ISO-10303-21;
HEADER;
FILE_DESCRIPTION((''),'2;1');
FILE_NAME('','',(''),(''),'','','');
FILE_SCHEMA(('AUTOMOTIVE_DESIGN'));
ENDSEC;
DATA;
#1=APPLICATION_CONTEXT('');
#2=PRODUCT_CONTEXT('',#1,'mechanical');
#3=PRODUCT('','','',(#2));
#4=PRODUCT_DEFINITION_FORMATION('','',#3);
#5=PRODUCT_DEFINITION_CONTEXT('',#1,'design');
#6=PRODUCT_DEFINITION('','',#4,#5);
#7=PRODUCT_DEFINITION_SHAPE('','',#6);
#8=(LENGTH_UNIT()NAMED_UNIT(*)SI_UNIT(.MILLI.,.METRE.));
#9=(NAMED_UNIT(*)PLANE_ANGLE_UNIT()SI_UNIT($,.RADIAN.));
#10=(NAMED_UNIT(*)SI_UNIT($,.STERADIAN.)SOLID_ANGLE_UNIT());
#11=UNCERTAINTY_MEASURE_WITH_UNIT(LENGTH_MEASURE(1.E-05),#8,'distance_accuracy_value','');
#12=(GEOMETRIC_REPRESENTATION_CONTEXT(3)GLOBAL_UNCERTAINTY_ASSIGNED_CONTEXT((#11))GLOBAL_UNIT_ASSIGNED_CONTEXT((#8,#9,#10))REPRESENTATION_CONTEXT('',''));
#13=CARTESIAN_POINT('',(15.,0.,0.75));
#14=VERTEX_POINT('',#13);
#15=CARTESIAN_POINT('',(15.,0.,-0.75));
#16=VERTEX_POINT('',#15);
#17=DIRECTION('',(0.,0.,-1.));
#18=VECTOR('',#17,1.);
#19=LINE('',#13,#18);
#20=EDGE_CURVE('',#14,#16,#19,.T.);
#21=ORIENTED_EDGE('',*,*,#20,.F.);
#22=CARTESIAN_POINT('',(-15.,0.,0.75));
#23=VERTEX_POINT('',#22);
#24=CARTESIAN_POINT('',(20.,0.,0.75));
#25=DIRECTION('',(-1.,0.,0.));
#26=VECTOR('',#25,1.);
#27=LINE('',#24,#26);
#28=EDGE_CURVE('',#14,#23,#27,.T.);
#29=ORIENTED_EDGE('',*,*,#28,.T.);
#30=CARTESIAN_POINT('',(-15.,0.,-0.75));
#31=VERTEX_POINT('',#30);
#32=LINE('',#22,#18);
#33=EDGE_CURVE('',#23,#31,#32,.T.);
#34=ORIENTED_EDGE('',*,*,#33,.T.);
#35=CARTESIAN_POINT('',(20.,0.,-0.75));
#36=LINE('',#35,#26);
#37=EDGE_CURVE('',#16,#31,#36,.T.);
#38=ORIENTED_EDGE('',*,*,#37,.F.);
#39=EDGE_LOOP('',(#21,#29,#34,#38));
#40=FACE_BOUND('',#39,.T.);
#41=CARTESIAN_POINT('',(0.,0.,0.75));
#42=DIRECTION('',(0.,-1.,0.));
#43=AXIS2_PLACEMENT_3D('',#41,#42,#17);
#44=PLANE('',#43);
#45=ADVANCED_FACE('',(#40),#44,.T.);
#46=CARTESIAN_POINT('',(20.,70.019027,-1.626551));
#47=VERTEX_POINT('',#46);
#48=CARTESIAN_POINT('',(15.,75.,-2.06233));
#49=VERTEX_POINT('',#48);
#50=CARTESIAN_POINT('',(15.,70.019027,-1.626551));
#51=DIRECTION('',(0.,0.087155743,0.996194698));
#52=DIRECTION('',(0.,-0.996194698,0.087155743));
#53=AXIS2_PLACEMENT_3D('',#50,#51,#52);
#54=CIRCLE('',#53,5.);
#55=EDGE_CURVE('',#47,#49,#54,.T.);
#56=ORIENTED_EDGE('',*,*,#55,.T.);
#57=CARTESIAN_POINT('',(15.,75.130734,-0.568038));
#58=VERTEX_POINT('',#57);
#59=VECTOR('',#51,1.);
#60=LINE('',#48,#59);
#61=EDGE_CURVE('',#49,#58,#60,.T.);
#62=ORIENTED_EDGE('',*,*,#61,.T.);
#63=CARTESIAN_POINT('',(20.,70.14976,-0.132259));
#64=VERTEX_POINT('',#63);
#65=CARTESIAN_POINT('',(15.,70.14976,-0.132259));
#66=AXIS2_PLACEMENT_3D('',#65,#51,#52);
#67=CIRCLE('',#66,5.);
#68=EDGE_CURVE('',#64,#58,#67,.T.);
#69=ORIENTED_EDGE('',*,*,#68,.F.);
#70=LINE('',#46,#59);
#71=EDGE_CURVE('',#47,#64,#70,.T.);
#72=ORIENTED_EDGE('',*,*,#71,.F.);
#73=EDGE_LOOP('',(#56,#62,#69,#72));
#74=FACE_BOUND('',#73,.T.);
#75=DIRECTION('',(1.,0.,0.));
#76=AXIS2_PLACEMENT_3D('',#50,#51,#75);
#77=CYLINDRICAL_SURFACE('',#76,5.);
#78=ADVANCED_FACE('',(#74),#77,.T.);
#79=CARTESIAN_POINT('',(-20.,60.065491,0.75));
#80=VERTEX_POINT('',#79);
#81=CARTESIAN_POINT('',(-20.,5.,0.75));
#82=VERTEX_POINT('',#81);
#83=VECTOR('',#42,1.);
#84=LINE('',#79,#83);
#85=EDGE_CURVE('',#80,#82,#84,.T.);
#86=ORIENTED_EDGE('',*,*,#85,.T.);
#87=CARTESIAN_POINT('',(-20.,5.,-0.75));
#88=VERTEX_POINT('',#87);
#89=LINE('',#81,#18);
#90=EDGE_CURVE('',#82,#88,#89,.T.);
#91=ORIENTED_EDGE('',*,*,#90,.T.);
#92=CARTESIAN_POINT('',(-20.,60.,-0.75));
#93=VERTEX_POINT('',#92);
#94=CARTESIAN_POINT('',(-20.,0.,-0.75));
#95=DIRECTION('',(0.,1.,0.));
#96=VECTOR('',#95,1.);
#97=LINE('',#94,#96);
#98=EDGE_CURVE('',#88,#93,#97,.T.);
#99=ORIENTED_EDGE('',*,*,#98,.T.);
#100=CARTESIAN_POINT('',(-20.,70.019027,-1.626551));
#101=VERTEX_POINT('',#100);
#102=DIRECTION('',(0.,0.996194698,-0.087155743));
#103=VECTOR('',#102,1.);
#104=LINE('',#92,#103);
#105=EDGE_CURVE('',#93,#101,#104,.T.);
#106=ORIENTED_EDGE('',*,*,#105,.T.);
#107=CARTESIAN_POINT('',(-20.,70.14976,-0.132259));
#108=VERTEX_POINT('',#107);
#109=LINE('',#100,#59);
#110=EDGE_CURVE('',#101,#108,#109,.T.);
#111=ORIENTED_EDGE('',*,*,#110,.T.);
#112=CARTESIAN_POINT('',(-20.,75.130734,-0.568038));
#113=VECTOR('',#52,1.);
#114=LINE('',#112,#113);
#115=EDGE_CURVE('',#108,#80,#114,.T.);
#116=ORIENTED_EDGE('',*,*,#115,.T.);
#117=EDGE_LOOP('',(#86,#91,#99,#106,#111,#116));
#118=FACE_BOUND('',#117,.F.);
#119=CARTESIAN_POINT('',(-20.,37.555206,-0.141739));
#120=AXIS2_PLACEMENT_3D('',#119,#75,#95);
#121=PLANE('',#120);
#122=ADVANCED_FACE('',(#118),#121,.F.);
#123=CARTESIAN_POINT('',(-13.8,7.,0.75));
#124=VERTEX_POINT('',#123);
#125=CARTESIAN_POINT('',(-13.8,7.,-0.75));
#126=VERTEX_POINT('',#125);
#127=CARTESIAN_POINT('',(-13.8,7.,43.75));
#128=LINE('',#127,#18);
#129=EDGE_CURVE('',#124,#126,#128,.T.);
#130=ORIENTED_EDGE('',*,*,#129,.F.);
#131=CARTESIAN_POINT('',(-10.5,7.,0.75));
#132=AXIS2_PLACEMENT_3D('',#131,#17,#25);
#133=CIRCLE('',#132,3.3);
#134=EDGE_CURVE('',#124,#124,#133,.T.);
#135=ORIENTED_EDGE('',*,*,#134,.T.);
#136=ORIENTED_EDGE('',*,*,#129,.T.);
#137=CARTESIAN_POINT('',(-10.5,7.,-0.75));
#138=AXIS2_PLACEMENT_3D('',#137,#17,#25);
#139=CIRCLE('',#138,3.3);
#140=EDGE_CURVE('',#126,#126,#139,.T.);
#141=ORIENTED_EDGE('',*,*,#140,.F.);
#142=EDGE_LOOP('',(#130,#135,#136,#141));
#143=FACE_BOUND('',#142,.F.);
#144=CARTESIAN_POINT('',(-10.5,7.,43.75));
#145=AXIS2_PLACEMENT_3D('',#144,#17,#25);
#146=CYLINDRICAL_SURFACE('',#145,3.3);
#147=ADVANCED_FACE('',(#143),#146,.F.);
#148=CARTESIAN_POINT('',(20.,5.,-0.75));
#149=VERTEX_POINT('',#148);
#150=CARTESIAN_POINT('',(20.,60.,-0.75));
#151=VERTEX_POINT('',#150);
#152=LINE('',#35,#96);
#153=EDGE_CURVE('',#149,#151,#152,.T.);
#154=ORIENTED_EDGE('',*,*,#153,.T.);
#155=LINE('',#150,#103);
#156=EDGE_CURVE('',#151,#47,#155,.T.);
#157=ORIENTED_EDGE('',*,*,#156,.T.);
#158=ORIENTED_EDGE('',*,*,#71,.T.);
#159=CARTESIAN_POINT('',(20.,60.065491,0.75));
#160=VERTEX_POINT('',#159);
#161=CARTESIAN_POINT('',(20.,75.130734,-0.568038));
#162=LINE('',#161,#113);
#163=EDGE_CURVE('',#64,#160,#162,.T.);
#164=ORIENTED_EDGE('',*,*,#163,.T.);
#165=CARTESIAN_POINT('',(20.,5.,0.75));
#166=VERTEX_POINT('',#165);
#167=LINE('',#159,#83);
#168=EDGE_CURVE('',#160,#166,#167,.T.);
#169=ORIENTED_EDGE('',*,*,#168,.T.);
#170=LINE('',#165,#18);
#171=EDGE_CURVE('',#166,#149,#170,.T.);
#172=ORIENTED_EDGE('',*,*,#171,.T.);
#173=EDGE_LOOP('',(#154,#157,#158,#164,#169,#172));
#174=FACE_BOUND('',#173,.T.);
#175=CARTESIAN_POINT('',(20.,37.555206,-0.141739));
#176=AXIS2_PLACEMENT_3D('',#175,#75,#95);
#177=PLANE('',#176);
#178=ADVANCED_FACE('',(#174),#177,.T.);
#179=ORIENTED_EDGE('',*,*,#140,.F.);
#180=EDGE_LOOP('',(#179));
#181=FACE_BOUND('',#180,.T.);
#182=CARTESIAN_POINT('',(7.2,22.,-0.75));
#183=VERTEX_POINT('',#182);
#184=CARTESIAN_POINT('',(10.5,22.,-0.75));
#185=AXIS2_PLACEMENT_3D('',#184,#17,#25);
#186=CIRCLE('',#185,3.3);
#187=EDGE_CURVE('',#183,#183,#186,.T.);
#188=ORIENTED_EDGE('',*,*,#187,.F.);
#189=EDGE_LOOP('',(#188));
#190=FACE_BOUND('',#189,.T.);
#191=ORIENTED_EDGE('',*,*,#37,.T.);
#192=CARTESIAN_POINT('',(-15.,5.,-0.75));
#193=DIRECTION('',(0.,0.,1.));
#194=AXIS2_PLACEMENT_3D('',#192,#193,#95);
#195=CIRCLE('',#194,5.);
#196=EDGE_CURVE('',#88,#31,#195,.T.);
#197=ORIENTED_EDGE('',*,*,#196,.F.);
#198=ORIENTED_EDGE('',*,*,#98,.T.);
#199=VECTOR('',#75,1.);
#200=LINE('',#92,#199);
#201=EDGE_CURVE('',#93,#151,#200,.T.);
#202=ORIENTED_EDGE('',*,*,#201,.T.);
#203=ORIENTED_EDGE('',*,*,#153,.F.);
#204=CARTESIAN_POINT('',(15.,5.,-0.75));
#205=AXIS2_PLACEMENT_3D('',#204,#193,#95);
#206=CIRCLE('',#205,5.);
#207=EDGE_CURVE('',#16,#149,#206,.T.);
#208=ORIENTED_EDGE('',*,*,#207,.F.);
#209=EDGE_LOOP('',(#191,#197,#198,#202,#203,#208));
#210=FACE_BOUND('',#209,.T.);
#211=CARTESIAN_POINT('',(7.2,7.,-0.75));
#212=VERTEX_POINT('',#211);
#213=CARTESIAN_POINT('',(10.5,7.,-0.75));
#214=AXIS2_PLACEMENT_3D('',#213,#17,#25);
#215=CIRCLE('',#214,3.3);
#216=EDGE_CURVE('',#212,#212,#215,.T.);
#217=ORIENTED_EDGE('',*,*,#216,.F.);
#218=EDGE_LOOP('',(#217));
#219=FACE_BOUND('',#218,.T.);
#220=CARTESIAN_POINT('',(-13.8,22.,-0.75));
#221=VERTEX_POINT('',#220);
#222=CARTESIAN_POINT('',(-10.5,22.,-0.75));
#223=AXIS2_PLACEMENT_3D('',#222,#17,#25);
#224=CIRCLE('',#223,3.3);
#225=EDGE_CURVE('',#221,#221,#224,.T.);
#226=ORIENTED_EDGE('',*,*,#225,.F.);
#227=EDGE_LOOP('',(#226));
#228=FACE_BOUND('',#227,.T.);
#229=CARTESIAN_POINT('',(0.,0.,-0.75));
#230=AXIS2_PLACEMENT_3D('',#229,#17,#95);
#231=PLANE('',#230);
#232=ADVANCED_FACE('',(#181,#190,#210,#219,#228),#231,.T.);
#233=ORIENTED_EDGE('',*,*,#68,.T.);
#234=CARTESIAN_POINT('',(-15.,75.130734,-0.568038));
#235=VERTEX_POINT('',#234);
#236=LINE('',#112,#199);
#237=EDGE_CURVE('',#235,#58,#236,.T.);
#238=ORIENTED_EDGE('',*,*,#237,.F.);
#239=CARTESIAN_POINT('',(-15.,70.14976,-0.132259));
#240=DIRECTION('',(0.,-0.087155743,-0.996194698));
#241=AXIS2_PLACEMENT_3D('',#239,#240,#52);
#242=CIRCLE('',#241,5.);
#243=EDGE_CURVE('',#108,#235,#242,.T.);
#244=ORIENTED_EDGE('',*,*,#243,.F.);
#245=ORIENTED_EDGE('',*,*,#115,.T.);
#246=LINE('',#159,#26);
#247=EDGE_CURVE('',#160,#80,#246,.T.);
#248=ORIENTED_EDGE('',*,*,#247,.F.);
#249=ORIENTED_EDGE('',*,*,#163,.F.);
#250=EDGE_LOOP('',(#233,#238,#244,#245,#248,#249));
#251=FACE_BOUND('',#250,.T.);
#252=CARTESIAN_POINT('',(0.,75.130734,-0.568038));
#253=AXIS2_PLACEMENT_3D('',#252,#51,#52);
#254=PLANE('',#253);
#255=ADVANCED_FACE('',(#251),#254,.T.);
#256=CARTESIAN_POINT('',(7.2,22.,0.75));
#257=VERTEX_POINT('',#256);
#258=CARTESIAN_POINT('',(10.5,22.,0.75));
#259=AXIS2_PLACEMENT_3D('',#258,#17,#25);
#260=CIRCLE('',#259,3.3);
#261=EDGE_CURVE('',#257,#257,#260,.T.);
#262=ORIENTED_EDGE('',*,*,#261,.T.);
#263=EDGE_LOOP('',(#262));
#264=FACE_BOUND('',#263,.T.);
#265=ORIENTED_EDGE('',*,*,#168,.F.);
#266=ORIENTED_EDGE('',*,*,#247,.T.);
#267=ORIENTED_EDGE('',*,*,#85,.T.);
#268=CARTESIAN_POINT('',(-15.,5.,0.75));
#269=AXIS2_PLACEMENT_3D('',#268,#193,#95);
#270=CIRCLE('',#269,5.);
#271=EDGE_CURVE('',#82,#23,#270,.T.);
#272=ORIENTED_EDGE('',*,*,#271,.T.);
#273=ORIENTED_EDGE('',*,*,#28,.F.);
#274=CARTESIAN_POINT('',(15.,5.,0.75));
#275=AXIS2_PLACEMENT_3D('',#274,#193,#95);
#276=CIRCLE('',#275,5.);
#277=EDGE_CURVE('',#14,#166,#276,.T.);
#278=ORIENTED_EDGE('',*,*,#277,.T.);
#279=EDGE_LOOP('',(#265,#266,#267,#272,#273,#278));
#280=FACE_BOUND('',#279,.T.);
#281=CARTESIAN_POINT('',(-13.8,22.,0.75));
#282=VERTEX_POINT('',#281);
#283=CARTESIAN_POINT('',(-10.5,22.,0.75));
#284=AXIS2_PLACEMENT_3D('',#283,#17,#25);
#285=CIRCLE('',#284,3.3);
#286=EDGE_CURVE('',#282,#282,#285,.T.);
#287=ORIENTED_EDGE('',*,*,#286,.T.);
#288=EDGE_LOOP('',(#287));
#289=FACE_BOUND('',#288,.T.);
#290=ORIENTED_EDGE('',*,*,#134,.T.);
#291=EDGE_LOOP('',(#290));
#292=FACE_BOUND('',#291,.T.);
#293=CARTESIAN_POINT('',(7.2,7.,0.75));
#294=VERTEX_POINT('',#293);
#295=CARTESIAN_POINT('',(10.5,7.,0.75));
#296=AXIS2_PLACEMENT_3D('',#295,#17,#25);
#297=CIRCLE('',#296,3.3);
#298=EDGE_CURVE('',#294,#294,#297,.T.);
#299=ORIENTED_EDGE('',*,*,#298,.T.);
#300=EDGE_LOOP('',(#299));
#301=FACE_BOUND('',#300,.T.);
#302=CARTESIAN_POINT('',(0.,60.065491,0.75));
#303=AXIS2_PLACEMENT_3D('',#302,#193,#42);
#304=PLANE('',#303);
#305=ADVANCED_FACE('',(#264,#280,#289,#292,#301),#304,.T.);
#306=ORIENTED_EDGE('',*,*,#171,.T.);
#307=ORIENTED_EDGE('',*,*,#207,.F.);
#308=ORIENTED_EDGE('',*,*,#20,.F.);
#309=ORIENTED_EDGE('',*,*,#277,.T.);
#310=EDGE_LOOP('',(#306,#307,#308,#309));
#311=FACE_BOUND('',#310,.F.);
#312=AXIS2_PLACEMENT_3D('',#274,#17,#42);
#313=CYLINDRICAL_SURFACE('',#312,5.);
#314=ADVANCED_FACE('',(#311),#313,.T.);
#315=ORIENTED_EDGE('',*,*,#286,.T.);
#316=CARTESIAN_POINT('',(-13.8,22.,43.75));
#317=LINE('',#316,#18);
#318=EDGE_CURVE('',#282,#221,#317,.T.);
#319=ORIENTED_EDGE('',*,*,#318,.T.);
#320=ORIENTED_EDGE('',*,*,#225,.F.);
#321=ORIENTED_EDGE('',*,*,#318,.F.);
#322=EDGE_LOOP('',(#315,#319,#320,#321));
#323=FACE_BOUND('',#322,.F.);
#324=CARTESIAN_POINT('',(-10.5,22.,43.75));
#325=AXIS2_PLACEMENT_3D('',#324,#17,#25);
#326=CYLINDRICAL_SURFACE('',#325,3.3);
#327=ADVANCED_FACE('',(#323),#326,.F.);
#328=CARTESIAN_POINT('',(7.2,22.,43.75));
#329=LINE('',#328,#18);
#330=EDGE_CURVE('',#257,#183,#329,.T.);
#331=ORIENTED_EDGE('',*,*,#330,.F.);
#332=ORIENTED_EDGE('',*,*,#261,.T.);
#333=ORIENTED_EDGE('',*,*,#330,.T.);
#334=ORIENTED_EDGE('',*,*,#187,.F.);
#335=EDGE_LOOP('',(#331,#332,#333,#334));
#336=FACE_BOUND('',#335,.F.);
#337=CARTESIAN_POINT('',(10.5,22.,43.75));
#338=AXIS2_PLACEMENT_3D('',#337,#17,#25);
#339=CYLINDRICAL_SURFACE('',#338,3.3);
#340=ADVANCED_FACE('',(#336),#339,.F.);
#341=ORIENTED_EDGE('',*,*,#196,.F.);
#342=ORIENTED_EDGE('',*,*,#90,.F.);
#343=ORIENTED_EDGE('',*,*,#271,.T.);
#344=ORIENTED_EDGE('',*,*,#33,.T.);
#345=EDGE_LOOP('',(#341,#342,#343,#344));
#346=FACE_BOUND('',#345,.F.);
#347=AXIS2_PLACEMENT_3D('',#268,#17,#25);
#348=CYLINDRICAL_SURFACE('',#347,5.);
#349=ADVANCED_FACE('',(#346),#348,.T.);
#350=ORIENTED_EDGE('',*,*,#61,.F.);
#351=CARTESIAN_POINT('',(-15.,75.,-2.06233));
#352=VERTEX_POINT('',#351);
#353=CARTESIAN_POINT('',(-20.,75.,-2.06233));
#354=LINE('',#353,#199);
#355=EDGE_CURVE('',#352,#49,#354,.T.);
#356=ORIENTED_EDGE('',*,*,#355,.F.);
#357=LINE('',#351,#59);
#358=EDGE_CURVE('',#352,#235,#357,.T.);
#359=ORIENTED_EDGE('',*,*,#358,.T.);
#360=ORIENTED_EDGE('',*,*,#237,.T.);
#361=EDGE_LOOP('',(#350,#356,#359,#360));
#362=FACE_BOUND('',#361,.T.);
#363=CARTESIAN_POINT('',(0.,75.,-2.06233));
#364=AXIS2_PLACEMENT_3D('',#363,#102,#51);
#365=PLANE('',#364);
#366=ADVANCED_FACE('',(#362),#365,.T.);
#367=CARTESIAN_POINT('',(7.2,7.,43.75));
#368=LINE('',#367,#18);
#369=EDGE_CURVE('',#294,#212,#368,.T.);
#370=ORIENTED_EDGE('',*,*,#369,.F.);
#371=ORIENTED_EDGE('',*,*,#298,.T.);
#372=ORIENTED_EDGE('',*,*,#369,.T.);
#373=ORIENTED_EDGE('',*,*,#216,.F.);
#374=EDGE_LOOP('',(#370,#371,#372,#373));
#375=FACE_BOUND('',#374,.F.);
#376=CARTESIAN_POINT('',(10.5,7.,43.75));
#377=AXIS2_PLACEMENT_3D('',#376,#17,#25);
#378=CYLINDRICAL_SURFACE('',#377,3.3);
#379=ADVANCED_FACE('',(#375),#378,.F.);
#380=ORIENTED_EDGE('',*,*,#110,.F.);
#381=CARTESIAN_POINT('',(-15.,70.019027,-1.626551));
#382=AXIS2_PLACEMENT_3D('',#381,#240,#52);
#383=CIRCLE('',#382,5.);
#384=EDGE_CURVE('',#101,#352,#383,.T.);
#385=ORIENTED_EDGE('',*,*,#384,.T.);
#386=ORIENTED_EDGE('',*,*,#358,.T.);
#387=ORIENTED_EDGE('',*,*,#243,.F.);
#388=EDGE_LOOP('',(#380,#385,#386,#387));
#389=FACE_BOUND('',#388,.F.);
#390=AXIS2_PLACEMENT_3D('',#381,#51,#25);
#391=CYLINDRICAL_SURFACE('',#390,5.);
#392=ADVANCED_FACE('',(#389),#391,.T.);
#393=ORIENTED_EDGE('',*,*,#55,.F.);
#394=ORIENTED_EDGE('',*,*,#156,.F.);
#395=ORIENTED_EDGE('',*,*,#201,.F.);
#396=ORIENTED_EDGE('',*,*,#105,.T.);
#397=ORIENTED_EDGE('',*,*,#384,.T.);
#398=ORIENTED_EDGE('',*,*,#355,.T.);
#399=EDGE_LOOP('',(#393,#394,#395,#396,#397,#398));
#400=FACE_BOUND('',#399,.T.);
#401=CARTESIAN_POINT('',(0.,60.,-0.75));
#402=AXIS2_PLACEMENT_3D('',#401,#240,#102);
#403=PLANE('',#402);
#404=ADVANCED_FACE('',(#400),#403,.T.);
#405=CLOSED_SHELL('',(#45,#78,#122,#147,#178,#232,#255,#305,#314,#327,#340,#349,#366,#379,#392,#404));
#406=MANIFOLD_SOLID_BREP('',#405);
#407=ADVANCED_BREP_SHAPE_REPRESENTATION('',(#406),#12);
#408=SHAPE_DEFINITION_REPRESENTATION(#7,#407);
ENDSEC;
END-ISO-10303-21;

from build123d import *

# Parameters (mm, degrees)
F1_DEPTH = 20
F3_D     = 6.6
F3_DEPTH = 43
F3_TIP   = 1.9828400428
F4_R     = 5


with BuildPart() as f1:
    # F0 (on Right) → F1 (new body, symmetric)
    with BuildSketch(Plane.YZ):
        Polygon((0, 0), (0, -0.75), (60, -0.75), (75, -2.0623299529), (75.1307336141, -0.5680379058), (60.0654914144, 0.75), (0, 0.75), align=None)
    extrude(amount=F1_DEPTH, both=True)

    # F3
    with Locations(Plane.XY.offset(0.75)):
        with Locations((-10.5, 7), (10.5, 7), (10.5, 22), (-10.5, 22)):
            Hole(F3_D / 2, depth=F3_DEPTH)
            with Locations((0, 0, -(F3_DEPTH + F3_TIP / 2))):  # 118° drill point
                Cone(0, F3_D / 2, F3_TIP, mode=Mode.SUBTRACT)

    # F4
    f4_edges = [f1.edges().sort_by_distance(p)[0] for p in [
        (20, 75.065367, -1.315184),
        (-20, 75.065367, -1.315184),
        (20, 0, 0),
        (-20, 0, 0),
    ]]
    fillet(f4_edges, radius=F4_R)


solid = f1.part
